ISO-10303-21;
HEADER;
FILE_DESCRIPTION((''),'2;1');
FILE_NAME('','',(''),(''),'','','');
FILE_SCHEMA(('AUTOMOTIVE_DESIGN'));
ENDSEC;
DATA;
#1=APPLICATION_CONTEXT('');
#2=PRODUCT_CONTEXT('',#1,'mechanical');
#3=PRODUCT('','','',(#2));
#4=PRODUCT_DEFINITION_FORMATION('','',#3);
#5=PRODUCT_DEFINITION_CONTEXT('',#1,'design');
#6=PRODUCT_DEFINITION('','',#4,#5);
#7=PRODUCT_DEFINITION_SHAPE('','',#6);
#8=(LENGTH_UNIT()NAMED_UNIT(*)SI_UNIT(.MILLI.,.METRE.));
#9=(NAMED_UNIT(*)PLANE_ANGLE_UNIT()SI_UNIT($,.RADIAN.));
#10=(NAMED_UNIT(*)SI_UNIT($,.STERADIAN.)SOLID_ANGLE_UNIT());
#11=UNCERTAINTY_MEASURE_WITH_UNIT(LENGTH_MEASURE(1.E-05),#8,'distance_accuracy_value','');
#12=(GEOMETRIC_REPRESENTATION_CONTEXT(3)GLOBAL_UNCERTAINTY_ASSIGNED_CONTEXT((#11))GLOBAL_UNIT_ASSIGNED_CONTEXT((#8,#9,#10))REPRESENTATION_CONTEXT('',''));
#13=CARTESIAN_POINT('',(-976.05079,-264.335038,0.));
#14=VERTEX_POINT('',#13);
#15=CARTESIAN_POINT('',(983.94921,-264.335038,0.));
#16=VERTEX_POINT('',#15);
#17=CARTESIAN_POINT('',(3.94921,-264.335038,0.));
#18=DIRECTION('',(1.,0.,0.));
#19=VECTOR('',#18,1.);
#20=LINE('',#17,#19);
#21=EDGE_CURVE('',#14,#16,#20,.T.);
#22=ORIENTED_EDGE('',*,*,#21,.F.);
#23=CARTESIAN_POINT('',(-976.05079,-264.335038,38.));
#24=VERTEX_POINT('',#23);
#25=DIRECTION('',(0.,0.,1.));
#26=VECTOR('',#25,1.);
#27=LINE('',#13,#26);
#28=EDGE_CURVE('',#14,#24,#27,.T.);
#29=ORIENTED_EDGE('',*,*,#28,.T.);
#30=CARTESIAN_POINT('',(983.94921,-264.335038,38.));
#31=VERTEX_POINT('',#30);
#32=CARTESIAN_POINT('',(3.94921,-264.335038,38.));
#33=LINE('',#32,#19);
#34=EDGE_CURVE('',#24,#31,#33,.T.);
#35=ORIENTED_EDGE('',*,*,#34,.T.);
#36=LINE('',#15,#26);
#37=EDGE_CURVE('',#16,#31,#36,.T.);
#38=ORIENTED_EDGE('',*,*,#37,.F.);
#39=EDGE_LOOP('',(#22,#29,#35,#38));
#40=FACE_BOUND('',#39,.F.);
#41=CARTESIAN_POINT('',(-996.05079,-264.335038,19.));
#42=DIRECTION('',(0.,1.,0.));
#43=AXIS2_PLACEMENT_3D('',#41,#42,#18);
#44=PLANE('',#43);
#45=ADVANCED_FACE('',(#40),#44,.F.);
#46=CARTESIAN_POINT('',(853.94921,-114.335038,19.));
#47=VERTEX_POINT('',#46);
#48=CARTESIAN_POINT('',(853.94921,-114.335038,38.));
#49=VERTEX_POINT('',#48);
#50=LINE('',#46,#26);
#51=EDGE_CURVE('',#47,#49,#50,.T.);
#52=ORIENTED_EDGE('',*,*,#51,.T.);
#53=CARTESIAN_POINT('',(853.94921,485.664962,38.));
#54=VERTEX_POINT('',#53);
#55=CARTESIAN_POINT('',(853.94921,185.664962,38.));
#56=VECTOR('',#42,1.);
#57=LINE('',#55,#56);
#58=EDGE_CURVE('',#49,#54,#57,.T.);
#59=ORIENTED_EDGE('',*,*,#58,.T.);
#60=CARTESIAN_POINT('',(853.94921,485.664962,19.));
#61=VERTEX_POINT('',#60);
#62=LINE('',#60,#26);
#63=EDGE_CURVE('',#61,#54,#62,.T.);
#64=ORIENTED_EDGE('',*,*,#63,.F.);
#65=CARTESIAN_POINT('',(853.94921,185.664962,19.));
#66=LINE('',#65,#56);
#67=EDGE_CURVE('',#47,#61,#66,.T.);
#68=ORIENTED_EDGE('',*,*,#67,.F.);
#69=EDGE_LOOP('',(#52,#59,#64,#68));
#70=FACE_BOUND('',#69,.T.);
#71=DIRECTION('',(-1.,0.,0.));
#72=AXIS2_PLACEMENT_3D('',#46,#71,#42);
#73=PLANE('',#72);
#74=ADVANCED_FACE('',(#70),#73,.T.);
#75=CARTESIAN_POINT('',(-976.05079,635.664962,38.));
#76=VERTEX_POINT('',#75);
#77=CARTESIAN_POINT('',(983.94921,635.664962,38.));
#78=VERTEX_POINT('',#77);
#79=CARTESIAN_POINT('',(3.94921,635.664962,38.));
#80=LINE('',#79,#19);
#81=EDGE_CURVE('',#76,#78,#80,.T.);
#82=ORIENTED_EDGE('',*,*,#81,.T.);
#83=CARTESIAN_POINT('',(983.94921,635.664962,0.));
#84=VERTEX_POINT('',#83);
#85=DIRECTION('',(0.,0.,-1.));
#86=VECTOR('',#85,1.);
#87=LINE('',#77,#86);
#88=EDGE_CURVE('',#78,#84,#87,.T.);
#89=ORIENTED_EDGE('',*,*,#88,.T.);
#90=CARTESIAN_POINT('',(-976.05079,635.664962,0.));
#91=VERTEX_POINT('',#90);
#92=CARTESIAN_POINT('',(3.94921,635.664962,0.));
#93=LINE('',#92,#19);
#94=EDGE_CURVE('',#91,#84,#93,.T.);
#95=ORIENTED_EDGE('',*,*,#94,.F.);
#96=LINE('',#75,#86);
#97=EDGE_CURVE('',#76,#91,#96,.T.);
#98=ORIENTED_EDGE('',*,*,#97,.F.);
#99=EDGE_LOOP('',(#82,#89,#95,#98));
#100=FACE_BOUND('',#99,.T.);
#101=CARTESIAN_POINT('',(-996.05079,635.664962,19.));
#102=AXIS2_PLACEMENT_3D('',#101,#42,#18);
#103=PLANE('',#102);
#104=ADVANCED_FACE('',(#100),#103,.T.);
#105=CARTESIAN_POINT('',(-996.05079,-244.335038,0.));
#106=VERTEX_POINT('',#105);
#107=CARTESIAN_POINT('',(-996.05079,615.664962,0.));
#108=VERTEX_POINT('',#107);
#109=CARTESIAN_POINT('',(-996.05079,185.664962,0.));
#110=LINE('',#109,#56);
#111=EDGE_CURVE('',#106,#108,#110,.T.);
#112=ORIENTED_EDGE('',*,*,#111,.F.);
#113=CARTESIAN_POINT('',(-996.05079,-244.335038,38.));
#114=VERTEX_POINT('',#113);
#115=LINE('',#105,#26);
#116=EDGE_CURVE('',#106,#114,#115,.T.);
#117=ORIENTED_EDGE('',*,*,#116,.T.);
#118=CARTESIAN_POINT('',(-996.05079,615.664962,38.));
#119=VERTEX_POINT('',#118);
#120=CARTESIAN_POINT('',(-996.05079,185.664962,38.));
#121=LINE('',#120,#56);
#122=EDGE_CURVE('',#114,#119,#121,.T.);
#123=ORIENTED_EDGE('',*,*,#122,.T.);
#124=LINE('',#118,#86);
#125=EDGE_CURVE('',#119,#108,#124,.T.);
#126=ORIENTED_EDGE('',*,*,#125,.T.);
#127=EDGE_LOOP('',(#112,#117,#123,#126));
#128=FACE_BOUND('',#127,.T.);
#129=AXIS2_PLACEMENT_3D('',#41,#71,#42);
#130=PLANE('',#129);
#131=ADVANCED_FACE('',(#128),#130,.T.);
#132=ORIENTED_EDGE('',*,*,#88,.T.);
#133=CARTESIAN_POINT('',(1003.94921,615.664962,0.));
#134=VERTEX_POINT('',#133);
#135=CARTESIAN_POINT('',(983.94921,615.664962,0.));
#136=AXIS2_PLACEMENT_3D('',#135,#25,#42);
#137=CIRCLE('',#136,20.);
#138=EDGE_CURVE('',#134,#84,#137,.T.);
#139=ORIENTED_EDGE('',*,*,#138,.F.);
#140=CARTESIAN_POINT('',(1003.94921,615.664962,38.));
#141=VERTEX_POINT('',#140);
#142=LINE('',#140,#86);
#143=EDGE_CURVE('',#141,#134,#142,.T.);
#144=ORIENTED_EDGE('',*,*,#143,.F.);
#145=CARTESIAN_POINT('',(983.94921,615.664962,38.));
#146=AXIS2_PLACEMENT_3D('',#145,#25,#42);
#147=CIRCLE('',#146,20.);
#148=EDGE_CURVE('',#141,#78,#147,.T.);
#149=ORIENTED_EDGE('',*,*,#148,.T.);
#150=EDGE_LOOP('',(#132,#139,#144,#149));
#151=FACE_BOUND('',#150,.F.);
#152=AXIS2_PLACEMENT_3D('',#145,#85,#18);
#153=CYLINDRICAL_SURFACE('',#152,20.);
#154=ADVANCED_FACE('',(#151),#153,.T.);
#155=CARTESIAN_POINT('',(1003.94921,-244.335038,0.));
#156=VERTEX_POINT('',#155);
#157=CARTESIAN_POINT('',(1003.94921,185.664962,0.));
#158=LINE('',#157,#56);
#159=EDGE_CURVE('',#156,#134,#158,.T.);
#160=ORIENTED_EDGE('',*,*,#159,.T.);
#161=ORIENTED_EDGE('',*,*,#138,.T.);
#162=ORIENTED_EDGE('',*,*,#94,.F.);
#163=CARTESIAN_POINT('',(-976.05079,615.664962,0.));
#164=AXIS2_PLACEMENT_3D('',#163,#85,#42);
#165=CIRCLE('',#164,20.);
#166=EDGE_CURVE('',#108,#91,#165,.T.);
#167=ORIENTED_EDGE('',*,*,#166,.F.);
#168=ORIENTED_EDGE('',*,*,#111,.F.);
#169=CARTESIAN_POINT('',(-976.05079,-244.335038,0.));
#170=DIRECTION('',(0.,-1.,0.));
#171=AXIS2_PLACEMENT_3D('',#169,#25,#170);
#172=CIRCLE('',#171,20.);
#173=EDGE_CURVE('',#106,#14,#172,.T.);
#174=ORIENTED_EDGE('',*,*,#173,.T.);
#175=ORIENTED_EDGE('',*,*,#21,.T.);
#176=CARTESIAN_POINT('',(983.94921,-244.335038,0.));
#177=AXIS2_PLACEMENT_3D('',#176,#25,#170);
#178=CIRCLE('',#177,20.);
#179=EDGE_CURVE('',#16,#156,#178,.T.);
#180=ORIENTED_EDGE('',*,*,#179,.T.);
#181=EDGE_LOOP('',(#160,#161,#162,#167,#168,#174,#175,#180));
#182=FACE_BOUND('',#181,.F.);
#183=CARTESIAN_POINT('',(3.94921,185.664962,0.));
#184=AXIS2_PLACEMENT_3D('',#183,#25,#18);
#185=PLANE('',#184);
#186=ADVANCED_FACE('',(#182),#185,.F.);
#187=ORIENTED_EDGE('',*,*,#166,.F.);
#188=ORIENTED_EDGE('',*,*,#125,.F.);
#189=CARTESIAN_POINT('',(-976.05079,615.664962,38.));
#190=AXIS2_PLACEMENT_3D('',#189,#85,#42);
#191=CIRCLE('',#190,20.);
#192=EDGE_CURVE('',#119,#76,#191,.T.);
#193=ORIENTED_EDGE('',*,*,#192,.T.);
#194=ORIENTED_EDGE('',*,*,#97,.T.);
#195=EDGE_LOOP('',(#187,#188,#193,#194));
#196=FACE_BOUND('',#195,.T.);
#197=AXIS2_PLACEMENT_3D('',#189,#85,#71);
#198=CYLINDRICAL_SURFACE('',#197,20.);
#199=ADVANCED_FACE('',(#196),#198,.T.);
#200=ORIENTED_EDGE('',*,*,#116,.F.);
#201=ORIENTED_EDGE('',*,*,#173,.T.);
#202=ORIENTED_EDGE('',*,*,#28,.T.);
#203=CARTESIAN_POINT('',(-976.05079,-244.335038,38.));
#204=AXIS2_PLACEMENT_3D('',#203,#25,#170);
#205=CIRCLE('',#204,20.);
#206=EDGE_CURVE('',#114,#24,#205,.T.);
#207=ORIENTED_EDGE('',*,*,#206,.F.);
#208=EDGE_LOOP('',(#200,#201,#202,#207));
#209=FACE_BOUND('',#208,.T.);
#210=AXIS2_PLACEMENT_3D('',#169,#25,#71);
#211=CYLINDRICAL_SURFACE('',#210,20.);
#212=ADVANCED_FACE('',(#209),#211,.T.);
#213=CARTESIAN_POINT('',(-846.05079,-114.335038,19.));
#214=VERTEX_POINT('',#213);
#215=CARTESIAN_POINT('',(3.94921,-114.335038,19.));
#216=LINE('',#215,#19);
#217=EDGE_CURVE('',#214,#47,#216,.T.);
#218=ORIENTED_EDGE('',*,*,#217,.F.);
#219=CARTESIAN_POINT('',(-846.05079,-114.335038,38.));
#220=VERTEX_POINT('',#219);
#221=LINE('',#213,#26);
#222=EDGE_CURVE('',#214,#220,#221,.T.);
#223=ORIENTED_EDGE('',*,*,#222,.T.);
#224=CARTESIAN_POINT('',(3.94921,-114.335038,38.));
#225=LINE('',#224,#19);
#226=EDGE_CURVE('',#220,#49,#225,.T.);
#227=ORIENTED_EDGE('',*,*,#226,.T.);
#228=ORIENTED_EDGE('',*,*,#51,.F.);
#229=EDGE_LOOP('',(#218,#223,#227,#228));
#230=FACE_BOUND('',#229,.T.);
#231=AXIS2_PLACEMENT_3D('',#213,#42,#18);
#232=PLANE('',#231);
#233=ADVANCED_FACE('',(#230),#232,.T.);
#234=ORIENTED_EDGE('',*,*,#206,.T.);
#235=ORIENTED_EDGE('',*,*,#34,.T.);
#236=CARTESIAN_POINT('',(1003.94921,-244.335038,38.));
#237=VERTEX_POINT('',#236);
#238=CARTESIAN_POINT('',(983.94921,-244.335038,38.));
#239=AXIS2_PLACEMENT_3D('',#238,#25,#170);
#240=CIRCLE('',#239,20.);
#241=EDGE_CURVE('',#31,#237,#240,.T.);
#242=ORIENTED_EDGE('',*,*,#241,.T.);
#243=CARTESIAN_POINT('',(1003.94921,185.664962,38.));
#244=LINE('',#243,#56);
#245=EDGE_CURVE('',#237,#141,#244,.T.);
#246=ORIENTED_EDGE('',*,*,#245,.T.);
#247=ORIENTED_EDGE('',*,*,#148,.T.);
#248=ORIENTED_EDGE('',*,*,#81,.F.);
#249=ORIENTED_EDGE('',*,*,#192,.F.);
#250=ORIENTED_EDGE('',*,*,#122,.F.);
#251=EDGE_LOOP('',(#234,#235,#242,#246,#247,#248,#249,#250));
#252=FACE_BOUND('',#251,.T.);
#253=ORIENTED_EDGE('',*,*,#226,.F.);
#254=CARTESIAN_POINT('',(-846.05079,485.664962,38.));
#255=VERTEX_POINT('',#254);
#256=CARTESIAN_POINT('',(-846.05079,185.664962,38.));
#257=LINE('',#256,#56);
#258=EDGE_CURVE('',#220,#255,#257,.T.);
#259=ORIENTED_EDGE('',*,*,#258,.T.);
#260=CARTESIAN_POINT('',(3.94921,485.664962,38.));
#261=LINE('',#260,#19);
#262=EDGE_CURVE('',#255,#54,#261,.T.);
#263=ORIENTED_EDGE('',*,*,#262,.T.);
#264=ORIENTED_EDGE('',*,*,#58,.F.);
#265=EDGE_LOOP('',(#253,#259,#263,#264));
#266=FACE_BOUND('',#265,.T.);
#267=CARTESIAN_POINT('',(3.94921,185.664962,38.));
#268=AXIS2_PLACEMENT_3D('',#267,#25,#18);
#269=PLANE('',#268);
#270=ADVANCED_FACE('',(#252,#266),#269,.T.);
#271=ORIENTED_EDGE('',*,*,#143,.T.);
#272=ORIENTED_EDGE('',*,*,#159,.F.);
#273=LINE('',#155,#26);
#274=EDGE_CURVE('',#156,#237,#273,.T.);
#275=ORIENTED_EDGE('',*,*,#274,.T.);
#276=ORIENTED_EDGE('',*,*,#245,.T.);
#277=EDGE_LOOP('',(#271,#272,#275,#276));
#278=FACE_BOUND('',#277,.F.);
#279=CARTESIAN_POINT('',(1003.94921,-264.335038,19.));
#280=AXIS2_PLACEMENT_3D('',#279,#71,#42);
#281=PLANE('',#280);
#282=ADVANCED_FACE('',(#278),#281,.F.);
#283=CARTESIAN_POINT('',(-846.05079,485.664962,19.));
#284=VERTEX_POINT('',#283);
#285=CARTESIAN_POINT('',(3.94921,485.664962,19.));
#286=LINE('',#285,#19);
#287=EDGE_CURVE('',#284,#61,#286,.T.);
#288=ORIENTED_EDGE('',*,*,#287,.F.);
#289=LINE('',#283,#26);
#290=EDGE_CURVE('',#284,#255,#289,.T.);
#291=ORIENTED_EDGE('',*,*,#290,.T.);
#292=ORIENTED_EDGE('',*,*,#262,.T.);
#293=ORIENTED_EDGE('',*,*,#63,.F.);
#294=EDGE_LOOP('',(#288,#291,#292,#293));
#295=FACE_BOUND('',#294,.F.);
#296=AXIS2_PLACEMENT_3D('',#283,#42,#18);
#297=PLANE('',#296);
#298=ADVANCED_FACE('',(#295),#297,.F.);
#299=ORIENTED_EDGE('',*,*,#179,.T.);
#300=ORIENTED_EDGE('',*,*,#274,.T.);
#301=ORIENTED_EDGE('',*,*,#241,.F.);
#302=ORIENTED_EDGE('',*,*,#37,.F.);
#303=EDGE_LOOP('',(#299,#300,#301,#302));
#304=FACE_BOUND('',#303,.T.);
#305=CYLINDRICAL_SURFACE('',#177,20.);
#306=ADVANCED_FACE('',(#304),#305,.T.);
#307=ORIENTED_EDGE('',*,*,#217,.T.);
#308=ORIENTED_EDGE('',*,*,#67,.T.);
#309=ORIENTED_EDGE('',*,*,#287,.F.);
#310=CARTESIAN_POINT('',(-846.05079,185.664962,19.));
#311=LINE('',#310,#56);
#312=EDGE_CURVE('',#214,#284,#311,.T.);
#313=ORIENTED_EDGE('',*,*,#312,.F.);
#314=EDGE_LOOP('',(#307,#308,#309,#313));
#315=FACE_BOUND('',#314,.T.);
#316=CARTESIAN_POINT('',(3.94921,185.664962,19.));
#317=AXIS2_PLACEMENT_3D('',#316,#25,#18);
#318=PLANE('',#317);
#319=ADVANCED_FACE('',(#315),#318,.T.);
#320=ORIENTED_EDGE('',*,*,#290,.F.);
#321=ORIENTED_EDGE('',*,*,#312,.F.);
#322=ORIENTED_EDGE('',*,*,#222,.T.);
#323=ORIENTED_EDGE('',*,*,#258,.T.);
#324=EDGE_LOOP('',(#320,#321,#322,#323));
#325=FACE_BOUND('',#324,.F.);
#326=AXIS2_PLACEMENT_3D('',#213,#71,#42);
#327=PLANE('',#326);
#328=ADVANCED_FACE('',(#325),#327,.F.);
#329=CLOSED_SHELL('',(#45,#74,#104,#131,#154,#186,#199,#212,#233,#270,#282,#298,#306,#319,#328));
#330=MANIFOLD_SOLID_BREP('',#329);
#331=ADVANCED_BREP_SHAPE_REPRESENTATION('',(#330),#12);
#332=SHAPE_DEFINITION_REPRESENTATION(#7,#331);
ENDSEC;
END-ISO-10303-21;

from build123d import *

# Parameters (mm, degrees)
F0_W     = 2000
F0_H     = 900
F1_DEPTH = 19
F2_W     = 2000
F2_H     = 900
F2_W_2   = 1700
F2_H_2   = 600
F3_DEPTH = 19
F4_R     = 20


with BuildPart() as f1:
    # F0 (on Top) → F1 (new body)
    with BuildSketch(Plane.XY):
        with Locations((3.94921, 185.664962)):
            Rectangle(F0_W, F0_H)
    extrude(amount=F1_DEPTH)

    # F2 (on face) → F3 (join)
    with BuildSketch(Plane.XY.offset(19)):
        with Locations((3.94921, 185.664962)):
            Rectangle(F2_W, F2_H)
        with Locations((3.94921, 185.664962)):
            Rectangle(F2_W_2, F2_H_2, mode=Mode.SUBTRACT)
    extrude(amount=F3_DEPTH)

    # F4
    f4_edges = [f1.edges().sort_by_distance(p)[0] for p in [
        (1003.94921, -264.335038, 19),
        (1003.94921, 635.664962, 19),
        (-996.05079, -264.335038, 19),
        (-996.05079, 635.664962, 19),
    ]]
    fillet(f4_edges, radius=F4_R)


solid = f1.part
